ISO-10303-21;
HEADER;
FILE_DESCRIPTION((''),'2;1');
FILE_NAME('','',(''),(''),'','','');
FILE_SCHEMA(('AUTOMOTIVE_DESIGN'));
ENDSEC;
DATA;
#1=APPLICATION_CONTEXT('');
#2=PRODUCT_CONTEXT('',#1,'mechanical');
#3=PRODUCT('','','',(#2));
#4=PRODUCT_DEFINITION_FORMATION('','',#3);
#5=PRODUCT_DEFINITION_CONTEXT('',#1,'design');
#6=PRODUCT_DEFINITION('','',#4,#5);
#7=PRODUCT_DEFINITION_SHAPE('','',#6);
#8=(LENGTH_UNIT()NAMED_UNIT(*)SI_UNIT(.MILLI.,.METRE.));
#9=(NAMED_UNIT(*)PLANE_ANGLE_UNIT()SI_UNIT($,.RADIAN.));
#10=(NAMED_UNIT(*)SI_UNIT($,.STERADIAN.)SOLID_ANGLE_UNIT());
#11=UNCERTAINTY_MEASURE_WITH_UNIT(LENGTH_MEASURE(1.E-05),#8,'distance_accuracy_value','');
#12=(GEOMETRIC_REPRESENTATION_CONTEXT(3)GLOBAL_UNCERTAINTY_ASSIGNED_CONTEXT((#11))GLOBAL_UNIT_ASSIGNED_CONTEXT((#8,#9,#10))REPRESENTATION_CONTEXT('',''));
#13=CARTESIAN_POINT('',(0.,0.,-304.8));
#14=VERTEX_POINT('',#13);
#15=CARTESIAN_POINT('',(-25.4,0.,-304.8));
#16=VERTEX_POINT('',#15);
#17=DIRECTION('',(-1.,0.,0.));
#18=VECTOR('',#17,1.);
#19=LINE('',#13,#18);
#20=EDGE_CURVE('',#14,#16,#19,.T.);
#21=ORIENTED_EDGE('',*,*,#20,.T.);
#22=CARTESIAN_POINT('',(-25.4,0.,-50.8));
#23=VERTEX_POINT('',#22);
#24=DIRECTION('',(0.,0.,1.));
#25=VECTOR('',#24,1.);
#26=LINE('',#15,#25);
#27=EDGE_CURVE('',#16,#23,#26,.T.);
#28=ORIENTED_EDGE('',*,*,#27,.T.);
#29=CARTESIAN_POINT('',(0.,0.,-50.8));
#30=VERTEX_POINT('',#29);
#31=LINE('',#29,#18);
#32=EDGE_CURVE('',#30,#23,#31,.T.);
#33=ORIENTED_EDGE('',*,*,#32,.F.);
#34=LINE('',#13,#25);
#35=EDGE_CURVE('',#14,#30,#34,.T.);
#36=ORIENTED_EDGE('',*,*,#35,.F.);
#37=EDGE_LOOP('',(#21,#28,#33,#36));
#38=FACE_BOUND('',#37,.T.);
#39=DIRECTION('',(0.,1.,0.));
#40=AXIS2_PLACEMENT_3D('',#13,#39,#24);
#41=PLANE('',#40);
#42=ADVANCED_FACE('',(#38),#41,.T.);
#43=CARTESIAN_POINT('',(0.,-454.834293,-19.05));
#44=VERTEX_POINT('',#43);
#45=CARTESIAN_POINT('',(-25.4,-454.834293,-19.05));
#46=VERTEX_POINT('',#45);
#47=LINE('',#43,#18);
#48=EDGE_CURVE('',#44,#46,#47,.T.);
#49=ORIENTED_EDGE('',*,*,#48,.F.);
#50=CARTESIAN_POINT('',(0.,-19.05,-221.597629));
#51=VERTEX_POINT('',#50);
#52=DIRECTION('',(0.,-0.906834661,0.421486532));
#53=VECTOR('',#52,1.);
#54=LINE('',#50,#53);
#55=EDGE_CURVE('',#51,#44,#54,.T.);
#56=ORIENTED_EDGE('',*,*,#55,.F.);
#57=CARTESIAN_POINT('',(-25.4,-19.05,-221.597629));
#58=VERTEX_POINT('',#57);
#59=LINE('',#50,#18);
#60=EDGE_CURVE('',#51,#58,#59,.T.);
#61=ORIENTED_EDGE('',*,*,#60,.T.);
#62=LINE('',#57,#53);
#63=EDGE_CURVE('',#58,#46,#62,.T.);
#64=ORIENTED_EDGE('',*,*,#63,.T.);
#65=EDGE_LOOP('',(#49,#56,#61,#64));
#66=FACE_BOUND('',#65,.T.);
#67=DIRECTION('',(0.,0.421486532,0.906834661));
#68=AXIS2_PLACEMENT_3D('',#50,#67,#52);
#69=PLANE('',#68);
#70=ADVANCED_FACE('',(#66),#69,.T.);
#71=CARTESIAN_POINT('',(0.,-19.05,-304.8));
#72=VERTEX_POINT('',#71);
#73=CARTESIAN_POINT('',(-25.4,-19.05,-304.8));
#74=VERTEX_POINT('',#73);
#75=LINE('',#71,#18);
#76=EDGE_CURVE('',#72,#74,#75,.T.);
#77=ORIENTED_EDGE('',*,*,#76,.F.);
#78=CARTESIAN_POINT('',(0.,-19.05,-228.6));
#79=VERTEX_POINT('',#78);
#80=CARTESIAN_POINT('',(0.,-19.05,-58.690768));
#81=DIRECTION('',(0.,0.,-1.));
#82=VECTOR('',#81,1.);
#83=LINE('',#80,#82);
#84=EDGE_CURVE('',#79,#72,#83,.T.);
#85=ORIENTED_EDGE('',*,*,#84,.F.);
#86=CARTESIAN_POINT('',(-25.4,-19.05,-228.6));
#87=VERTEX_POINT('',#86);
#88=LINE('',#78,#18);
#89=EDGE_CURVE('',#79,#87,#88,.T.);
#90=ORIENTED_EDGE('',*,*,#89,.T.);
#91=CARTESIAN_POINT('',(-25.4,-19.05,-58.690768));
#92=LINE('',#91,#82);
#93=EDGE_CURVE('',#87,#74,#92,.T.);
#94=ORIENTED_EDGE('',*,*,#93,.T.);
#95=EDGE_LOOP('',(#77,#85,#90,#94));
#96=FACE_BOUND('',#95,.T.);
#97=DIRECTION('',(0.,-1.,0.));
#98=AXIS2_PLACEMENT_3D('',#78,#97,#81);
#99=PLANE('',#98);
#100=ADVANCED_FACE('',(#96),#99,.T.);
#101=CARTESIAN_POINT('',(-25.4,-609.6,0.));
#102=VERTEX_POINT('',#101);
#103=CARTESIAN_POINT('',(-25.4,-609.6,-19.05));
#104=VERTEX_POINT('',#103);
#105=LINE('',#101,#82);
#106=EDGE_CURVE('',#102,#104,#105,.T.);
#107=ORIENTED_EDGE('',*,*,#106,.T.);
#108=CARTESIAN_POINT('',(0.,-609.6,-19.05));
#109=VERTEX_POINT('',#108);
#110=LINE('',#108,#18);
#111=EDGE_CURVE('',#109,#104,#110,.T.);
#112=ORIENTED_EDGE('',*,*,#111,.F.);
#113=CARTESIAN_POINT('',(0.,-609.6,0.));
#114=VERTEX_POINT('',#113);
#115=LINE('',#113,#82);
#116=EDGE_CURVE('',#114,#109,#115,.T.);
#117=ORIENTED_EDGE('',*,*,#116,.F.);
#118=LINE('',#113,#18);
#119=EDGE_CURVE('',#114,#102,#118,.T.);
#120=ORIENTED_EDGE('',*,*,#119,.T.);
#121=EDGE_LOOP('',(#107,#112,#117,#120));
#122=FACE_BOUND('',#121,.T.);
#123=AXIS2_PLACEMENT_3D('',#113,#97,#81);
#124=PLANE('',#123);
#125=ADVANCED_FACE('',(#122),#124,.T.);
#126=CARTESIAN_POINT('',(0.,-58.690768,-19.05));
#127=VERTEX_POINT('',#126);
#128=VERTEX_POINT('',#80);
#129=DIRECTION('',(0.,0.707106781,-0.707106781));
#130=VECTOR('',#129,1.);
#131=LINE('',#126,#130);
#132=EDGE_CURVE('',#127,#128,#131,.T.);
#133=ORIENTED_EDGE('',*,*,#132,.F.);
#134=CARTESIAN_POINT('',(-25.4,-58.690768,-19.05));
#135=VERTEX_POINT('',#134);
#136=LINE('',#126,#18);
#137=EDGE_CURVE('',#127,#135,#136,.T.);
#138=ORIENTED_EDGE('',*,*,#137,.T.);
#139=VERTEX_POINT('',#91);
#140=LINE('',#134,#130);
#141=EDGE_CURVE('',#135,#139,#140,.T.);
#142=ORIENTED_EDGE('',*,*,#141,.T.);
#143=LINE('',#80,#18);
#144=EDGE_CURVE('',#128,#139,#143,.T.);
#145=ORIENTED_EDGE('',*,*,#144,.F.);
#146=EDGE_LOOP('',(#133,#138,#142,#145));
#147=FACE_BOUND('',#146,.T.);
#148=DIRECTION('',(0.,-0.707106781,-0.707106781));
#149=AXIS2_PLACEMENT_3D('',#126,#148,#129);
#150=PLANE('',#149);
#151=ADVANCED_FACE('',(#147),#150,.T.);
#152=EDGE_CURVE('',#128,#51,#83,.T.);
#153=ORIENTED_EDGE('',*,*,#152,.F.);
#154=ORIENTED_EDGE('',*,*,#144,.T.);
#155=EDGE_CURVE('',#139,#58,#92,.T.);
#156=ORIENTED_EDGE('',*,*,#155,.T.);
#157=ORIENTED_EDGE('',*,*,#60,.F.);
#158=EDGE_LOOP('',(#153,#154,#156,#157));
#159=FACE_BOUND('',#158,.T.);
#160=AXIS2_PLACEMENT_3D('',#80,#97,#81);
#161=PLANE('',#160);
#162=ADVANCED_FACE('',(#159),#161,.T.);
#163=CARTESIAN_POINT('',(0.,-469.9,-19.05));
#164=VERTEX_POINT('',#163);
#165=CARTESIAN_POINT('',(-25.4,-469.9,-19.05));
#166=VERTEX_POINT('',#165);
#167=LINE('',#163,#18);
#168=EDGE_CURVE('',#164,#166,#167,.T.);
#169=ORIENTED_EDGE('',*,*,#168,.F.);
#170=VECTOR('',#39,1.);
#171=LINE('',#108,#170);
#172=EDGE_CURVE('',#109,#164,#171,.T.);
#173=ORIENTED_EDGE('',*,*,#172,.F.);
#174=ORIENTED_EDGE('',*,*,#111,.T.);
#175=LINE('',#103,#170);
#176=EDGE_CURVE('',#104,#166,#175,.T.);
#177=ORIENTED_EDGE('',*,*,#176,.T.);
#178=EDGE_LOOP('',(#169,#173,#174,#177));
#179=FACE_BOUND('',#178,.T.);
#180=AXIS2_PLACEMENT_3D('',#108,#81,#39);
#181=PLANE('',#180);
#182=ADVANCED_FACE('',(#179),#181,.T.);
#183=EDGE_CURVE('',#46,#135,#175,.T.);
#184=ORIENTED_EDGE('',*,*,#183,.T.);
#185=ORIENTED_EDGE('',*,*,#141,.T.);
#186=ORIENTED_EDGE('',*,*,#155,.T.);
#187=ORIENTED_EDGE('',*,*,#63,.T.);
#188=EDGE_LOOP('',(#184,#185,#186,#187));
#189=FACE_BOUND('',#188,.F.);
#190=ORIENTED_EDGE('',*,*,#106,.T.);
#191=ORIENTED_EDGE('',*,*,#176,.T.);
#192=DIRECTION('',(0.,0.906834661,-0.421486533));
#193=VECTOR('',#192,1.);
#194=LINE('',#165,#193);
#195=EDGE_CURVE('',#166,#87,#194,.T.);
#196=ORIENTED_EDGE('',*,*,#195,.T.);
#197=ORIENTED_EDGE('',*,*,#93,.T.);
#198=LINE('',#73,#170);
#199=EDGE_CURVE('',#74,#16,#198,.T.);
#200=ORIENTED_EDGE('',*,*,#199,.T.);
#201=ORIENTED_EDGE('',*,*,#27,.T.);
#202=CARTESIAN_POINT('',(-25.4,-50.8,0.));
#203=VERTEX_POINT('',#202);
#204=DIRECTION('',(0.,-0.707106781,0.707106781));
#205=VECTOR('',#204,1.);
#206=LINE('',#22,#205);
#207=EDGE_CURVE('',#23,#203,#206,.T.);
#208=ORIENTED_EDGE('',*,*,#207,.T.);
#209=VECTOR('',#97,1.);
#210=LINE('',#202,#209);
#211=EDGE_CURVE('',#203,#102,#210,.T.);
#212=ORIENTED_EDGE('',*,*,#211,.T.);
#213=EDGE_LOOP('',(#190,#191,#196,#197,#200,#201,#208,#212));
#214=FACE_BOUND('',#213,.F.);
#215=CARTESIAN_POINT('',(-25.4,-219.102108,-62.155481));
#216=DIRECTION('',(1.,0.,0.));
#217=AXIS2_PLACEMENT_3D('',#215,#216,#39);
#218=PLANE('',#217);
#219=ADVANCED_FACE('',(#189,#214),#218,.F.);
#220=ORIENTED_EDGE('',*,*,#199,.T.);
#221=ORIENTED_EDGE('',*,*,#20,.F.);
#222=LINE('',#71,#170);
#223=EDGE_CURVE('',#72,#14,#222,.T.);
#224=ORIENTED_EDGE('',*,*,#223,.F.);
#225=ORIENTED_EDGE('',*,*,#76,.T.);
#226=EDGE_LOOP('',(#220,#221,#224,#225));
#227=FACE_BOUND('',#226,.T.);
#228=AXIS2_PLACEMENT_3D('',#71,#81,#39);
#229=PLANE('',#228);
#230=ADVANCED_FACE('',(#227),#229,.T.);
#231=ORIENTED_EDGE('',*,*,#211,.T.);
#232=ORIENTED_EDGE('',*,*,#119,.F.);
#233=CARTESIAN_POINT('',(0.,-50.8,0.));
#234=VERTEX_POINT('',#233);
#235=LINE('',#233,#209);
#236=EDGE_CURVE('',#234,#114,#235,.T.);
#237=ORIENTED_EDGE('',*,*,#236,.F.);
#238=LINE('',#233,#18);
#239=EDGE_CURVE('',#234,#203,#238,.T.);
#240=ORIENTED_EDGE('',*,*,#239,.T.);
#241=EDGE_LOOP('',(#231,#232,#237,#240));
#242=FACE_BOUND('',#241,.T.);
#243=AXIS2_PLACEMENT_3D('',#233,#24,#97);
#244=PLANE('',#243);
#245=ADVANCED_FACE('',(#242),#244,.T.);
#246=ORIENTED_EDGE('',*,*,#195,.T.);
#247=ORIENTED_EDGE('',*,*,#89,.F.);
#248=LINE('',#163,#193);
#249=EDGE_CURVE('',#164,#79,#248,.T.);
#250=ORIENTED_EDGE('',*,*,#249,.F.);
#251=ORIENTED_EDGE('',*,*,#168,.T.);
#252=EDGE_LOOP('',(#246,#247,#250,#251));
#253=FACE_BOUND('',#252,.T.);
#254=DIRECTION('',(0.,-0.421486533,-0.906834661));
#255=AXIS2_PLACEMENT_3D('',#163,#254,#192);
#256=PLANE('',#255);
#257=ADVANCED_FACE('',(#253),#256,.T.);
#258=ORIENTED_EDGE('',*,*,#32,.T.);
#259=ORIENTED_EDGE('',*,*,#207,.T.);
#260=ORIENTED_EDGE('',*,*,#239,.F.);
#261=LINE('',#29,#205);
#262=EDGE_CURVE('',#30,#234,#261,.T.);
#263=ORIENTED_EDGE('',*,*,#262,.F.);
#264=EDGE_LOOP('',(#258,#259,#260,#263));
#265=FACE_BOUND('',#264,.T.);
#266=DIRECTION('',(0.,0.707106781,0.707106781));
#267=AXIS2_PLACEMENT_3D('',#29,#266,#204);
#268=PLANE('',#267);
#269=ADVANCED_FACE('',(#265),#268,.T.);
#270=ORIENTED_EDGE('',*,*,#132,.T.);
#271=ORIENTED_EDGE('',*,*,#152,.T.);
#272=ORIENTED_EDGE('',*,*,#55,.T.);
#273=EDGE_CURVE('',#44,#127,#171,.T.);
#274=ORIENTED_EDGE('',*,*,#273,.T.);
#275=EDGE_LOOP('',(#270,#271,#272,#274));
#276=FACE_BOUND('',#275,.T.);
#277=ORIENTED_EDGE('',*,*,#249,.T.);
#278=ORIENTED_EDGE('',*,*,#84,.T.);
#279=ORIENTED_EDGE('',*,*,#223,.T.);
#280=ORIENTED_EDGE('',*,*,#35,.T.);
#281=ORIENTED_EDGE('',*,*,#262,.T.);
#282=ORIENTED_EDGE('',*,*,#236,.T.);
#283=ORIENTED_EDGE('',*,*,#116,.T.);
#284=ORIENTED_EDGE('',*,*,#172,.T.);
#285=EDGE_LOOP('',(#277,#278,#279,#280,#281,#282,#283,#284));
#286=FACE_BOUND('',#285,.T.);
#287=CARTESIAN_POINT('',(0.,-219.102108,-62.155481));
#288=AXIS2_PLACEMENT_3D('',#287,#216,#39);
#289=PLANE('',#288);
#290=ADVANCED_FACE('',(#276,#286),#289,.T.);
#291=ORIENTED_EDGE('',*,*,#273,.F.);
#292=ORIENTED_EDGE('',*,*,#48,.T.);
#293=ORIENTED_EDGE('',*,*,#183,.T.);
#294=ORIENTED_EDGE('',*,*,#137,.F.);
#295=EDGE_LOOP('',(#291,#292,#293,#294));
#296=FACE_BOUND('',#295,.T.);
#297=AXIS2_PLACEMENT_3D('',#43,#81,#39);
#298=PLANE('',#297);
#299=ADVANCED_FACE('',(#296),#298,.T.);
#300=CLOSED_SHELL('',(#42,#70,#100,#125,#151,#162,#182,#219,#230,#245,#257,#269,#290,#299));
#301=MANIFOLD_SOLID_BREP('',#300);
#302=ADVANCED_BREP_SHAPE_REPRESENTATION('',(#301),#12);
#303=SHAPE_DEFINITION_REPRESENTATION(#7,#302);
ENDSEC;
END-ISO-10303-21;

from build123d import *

# Parameters (mm, degrees)
F1_DEPTH = 25.4


with BuildPart() as f1:
    # F0 (on Right) → F1 (new body)
    with BuildSketch(Plane.YZ):
        Polygon((0, -50.8), (-50.8, 0), (-609.6, 0), (-609.6, -19.05), (-469.9, -19.05), (-454.834293, -19.05), (-58.690768, -19.05), (-19.05, -58.690768), (-19.05, -221.597629), (-19.05, -228.6), (-19.05, -304.8), (0, -304.8), align=None)
        Polygon((-454.834293, -19.05), (-469.9, -19.05), (-19.05, -228.6), (-19.05, -221.597629), align=None)
    extrude(amount=-F1_DEPTH)


solid = f1.part
